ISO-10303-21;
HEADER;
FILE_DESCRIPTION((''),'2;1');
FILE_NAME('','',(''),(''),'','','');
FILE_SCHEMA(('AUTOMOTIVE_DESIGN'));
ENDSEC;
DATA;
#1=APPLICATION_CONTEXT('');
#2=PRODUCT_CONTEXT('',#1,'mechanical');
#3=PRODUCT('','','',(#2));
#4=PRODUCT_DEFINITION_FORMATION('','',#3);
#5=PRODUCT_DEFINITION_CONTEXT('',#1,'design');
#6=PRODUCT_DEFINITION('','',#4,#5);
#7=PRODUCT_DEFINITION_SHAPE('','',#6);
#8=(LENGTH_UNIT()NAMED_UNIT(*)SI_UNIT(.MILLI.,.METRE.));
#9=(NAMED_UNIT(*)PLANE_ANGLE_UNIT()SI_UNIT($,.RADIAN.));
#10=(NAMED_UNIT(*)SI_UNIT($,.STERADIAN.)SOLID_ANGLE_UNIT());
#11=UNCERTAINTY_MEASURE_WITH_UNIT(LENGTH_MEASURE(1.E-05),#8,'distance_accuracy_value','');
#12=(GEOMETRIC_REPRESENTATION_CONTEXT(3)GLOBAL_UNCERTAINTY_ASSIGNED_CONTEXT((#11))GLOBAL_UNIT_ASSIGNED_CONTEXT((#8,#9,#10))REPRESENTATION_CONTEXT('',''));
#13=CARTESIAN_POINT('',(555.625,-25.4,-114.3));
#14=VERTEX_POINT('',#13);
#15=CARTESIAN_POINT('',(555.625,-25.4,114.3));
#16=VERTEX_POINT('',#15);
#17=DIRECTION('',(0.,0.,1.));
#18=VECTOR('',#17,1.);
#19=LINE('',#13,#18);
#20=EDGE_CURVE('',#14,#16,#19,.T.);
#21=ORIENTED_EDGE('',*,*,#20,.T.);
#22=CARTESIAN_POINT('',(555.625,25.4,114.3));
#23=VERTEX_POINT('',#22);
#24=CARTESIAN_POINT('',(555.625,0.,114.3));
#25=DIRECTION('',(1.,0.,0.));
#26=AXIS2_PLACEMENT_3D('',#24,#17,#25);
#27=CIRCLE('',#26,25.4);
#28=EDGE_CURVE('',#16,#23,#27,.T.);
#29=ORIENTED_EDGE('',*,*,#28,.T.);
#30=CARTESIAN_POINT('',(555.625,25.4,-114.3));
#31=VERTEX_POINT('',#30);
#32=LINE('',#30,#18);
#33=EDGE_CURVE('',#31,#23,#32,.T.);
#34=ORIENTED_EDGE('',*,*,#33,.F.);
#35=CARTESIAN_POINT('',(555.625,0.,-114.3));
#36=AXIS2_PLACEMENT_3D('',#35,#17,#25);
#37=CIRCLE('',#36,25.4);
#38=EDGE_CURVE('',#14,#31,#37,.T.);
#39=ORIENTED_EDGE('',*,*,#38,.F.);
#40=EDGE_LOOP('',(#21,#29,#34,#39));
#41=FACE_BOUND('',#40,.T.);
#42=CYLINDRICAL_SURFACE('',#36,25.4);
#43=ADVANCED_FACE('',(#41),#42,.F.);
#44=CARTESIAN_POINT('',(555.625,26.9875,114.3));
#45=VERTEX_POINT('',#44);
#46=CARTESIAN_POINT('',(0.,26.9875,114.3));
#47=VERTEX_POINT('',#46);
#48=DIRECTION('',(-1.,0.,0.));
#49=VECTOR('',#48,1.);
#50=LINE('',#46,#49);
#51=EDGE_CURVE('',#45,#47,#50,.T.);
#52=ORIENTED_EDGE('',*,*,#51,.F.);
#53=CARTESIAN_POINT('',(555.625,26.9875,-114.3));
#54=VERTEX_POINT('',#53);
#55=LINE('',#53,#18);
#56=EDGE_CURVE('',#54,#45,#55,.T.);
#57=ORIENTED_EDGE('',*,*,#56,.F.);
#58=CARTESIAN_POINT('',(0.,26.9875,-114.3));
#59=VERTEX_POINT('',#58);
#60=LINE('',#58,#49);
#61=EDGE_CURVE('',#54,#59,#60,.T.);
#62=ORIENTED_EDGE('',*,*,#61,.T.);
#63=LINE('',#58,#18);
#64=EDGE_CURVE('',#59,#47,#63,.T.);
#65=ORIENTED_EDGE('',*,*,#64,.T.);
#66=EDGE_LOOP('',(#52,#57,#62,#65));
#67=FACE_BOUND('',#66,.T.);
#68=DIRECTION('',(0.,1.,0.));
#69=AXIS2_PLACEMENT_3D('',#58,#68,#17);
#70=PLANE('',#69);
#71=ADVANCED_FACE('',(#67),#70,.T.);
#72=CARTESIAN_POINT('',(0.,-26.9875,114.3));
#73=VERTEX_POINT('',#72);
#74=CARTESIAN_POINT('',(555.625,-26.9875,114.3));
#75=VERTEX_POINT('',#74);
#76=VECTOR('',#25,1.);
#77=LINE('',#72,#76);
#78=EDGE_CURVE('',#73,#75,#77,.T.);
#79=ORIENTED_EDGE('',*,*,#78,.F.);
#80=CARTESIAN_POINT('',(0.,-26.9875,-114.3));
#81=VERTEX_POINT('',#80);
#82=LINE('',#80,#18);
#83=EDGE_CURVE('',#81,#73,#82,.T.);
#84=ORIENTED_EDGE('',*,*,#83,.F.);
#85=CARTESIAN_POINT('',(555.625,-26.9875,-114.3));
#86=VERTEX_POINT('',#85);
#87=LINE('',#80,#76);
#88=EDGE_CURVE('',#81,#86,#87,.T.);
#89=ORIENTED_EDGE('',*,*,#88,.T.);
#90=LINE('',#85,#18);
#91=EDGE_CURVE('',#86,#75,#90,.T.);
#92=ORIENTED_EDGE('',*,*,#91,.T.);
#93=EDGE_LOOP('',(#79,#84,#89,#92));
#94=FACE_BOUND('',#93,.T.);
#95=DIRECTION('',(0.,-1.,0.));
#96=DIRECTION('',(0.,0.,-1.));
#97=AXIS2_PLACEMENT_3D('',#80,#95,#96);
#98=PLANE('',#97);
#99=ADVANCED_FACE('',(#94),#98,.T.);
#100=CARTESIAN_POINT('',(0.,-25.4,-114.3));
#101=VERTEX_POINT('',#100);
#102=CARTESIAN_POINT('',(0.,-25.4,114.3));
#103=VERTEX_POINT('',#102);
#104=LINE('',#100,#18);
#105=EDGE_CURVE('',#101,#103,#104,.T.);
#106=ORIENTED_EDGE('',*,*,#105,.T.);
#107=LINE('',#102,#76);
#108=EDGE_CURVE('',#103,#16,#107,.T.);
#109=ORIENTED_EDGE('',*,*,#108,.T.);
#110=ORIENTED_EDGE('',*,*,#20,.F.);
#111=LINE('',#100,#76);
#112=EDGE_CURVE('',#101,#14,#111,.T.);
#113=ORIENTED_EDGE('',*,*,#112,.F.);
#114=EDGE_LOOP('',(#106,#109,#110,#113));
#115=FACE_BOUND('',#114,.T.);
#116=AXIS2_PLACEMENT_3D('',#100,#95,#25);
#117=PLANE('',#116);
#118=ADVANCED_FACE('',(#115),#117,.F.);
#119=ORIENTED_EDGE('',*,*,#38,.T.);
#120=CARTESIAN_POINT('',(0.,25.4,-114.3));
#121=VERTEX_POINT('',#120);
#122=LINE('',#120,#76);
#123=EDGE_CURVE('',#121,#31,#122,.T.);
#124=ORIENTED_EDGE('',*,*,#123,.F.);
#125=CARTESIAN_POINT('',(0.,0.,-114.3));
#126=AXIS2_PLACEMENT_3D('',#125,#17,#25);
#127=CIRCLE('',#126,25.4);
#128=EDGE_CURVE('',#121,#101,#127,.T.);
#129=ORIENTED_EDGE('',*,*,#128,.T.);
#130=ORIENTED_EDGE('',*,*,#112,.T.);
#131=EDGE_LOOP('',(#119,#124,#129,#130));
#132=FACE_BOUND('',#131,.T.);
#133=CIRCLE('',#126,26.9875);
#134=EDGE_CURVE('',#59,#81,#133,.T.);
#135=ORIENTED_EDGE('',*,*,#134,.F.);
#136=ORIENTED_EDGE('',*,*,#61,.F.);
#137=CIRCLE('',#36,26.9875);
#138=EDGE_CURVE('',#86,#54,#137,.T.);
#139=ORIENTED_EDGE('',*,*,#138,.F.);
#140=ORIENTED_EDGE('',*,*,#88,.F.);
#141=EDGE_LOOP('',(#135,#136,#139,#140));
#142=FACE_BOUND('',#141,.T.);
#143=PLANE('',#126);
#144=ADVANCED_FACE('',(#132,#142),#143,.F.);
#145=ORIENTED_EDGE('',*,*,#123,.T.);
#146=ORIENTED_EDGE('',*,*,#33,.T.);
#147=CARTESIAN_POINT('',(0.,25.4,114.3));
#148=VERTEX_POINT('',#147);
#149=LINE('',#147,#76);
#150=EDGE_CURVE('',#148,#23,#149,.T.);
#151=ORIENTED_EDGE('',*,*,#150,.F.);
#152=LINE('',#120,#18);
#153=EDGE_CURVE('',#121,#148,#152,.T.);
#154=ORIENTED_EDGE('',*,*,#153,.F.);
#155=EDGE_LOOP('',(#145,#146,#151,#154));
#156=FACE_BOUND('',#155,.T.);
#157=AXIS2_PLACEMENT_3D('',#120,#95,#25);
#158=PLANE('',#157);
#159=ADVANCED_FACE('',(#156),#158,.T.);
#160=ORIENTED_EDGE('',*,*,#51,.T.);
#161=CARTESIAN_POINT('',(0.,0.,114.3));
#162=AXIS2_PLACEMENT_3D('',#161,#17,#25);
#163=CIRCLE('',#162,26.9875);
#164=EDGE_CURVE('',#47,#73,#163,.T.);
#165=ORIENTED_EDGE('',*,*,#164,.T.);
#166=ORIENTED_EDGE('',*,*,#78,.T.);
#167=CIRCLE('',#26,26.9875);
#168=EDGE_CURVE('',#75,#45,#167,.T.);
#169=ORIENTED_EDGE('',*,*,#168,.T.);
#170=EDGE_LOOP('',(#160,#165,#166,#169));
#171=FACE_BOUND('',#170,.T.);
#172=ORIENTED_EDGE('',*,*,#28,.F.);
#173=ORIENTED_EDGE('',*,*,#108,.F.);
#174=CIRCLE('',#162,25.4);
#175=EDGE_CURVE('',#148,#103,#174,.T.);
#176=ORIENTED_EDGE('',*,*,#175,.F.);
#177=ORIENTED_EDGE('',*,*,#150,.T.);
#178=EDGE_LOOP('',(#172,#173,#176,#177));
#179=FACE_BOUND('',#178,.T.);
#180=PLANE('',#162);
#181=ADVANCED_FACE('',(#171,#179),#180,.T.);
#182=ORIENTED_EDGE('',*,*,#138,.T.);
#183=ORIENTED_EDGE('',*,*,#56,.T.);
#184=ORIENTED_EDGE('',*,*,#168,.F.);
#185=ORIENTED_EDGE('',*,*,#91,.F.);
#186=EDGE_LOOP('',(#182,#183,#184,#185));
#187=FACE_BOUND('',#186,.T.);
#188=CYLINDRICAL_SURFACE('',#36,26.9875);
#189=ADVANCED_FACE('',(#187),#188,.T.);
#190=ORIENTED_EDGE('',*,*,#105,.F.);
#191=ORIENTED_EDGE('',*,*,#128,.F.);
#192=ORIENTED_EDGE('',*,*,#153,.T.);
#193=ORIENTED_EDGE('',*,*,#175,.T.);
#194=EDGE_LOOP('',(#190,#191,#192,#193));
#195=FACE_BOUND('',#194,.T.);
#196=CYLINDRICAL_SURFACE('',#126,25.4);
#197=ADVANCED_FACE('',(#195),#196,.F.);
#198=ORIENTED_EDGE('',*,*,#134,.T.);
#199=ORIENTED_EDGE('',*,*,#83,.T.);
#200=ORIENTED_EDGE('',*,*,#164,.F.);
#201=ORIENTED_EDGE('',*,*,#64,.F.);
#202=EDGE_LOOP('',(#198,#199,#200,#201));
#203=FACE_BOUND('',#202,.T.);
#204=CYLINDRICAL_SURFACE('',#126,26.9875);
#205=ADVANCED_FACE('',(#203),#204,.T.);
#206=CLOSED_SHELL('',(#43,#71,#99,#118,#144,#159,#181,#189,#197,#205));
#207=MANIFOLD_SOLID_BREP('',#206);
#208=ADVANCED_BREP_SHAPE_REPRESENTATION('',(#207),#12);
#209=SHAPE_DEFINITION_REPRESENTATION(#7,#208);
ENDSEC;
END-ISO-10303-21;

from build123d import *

# Parameters (mm, degrees)
BOSS_EXTRUDE1_DEPTH = 114.3
CUT_EXTRUDE1_DEPTH  = 627.437235733


with BuildPart() as part:
    # Sketch1 → Boss-Extrude1 (new, symmetric)
    with BuildSketch(Plane.XY):
        with BuildLine():
            Line((0, 26.9875), (555.625, 26.9875))
            ThreePointArc((555.625, 26.9875), (582.6125, 0), (555.625, -26.9875))
            Line((555.625, -26.9875), (0, -26.9875))
            ThreePointArc((0, -26.9875), (-26.9875, 0), (0, 26.9875))
        make_face()
    extrude(amount=BOSS_EXTRUDE1_DEPTH, both=True)

    # Sketch3 → Cut-Extrude1 (cut, through all)
    with BuildSketch(Plane.XY.offset(114.3)):
        with BuildLine():
            Line((0, 25.4), (555.625, 25.4))
            ThreePointArc((555.625, 25.4), (581.025, 0), (555.625, -25.4))
            Line((555.625, -25.4), (0, -25.4))
            ThreePointArc((0, -25.4), (-25.4, 0), (0, 25.4))
        make_face()
    extrude(amount=-CUT_EXTRUDE1_DEPTH, mode=Mode.SUBTRACT)


solid = part.part
